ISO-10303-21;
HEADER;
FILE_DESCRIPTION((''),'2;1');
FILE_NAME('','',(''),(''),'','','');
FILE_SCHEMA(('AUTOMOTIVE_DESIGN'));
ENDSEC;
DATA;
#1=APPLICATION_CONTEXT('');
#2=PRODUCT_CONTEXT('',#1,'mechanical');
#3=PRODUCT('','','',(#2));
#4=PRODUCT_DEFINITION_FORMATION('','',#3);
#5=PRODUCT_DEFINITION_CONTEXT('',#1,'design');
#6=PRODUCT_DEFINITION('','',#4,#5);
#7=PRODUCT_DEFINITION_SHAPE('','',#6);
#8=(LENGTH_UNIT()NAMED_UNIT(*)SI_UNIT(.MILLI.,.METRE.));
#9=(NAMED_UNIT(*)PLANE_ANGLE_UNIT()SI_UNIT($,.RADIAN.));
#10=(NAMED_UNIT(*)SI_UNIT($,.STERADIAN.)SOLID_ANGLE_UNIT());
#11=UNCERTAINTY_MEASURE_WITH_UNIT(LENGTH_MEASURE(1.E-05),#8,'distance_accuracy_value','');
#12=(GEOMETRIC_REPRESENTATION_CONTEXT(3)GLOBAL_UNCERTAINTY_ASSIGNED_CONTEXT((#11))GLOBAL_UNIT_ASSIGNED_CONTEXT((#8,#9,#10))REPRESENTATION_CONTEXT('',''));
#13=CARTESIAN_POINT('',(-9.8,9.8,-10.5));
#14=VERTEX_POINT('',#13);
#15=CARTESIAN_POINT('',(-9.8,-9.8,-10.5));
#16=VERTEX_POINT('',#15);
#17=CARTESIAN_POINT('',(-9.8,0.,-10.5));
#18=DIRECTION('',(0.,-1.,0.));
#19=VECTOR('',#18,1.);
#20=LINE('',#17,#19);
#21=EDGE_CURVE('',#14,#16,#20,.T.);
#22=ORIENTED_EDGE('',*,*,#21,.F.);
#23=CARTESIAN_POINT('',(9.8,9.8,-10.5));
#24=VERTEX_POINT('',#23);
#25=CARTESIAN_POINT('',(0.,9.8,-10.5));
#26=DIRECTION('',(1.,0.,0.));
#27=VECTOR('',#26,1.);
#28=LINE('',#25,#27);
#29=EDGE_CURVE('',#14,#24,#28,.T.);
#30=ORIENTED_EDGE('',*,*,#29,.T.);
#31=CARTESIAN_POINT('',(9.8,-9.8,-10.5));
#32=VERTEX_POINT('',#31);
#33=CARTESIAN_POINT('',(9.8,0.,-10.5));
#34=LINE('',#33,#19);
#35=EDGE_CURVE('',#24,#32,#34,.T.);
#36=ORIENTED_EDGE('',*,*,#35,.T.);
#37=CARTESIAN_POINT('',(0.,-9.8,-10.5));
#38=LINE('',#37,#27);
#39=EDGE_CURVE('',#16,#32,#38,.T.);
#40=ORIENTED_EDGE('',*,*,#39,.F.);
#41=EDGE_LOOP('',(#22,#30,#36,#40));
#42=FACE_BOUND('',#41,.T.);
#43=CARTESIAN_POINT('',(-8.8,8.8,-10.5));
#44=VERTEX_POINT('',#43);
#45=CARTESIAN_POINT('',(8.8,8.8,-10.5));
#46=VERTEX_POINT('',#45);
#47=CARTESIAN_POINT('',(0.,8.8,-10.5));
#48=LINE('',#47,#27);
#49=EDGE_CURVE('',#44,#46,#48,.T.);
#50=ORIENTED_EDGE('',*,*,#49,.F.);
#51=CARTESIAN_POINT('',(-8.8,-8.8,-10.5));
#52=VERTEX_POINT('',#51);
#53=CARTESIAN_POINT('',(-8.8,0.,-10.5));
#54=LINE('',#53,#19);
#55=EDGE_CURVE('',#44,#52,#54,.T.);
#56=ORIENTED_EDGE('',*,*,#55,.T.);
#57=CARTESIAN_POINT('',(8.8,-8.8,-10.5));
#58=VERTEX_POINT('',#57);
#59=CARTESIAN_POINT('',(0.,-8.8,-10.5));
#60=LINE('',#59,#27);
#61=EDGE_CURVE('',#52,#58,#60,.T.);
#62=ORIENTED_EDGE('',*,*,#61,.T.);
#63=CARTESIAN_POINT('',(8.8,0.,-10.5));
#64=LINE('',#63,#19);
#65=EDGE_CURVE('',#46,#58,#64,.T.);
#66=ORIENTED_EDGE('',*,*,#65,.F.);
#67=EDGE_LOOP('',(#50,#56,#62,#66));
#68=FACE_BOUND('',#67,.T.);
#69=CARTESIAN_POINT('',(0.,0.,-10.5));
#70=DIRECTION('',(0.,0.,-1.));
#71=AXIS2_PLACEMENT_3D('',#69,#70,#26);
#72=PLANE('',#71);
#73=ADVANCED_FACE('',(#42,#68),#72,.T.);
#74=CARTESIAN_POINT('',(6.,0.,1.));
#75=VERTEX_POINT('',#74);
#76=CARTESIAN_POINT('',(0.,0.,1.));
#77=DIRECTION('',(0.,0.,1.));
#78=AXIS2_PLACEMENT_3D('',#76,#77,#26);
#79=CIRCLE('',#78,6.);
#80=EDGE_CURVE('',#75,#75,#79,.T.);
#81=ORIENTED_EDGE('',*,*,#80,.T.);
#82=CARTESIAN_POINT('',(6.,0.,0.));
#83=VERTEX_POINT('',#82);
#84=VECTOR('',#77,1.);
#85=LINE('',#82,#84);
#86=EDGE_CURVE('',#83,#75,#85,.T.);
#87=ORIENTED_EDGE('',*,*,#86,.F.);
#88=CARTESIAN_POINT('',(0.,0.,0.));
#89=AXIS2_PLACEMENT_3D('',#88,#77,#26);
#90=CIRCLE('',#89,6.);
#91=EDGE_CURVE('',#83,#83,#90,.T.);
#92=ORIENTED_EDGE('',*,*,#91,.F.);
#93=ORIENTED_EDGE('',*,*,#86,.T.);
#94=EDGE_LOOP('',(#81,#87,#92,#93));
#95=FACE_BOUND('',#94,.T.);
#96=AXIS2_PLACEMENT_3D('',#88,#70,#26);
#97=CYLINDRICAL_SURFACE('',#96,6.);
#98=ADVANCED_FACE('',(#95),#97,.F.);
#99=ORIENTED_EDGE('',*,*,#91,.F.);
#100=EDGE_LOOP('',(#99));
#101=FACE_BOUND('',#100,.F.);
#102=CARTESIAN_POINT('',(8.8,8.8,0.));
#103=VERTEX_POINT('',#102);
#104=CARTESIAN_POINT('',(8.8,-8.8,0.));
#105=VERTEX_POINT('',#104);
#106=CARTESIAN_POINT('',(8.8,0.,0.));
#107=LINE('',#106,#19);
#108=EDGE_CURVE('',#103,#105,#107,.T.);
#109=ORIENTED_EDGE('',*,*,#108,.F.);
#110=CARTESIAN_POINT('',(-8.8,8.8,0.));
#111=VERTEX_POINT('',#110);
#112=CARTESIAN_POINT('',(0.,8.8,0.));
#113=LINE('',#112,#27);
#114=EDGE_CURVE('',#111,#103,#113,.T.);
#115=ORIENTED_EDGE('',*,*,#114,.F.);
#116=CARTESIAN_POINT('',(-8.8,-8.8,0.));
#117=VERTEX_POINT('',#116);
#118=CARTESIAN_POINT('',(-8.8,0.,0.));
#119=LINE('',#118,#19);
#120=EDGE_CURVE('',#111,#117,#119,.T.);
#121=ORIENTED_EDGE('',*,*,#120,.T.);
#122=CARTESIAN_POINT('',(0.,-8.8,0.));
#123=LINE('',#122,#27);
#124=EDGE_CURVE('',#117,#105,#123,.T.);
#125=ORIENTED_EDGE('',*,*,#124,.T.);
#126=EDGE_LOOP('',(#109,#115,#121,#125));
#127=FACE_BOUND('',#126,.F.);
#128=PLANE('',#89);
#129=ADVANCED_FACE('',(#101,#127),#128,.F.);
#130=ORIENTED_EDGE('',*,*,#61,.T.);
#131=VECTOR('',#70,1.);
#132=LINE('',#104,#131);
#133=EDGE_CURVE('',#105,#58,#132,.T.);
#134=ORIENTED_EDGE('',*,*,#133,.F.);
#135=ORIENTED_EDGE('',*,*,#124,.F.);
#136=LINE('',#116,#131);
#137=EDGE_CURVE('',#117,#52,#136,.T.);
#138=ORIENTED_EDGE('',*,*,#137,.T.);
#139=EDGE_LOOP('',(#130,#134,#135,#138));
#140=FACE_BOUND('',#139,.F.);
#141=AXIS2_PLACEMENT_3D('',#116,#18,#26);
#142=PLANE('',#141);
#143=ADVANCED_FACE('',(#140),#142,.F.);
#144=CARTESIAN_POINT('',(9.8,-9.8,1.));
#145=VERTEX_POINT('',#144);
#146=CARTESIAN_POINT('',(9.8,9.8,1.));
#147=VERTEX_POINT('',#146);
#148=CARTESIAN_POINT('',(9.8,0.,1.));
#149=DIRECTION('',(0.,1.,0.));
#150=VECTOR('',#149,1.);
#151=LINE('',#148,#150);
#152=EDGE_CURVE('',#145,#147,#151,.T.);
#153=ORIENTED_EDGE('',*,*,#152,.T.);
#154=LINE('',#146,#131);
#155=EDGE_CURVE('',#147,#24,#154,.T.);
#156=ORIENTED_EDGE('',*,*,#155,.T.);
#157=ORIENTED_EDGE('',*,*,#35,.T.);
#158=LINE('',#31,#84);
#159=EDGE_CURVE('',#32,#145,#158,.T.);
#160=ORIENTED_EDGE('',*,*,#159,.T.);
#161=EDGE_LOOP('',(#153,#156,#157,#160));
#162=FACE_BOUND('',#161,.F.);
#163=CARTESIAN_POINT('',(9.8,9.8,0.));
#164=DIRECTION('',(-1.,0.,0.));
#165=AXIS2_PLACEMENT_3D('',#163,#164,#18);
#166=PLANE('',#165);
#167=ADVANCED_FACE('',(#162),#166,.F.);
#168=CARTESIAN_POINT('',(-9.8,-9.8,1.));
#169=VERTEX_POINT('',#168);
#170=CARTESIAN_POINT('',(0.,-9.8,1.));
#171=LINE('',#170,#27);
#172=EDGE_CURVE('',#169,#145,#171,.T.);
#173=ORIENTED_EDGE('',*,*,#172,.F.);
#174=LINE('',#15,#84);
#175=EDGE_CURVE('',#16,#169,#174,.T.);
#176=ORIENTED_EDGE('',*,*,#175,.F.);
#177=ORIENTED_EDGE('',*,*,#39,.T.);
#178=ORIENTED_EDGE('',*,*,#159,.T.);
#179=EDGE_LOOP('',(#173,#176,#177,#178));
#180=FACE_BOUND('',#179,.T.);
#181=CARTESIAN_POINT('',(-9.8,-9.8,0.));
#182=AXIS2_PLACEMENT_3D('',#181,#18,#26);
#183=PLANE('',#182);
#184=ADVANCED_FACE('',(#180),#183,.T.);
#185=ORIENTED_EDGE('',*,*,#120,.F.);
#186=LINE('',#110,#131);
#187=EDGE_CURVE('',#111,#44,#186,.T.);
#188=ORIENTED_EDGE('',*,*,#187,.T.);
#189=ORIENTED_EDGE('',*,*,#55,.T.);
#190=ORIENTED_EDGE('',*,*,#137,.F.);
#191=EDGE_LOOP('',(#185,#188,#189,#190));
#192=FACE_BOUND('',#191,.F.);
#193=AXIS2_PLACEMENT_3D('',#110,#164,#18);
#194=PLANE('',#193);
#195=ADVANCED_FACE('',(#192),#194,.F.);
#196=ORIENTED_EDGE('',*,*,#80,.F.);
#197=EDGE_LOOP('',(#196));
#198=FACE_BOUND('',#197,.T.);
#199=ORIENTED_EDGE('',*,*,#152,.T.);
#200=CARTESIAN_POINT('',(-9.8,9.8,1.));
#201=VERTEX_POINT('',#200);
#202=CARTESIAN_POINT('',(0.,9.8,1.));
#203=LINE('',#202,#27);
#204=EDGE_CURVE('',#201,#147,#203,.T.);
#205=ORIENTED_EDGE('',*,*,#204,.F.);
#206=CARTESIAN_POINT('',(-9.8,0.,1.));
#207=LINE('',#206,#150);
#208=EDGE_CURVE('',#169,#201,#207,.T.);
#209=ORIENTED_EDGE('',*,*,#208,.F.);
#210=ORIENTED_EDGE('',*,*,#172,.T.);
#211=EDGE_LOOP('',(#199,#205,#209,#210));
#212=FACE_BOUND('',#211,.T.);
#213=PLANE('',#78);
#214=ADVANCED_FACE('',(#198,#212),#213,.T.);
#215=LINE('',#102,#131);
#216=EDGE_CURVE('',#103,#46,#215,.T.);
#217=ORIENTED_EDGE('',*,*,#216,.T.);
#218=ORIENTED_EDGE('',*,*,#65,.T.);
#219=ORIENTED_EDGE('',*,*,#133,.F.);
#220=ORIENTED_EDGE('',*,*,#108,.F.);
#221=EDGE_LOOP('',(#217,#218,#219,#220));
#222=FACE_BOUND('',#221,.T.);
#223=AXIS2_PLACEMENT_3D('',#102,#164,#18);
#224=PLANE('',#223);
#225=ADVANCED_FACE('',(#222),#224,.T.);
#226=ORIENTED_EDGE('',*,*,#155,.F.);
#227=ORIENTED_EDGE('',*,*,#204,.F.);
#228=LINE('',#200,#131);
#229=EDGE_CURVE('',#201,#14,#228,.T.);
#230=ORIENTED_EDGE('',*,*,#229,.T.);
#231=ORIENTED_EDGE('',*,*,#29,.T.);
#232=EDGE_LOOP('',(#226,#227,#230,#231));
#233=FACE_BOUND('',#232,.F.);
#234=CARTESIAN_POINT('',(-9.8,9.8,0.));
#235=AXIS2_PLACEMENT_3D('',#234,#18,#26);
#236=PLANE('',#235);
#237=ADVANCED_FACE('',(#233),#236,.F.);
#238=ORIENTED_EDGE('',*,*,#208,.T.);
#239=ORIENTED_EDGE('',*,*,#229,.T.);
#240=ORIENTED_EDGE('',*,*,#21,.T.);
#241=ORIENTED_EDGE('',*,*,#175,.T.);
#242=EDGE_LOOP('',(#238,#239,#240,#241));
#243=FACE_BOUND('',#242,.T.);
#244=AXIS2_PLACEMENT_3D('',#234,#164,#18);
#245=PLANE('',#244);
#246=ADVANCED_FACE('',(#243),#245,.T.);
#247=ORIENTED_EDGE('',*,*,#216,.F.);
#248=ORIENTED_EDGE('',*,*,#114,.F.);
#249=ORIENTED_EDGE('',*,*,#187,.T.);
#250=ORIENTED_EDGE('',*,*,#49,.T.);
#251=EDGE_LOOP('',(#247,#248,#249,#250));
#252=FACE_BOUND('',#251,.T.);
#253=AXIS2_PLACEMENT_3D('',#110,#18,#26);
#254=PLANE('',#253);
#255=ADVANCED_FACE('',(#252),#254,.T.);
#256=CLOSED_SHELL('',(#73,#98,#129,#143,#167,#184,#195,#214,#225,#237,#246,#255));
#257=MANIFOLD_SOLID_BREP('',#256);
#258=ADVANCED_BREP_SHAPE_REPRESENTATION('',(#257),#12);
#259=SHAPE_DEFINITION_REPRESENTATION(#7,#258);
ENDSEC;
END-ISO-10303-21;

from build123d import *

# Parameters (mm, degrees)
F0_W     = 19.6
F0_H     = 19.6
F0_R     = 6
F1_DEPTH = 1
F2_W     = 19.6
F2_H     = 19.6
F2_W_2   = 17.6
F2_H_2   = 17.6
F3_DEPTH = 10.5


with BuildPart() as f1:
    # F0 (on Top) → F1 (new body)
    with BuildSketch(Plane.XY):
        Rectangle(F0_W, F0_H)
        Circle(F0_R, mode=Mode.SUBTRACT)
    extrude(amount=F1_DEPTH)

    # F2 (on face) → F3 (join)
    with BuildSketch(Plane(origin=(0, 0, 0), x_dir=(1, 0, 0), z_dir=(0, 0, -1))):
        Rectangle(F2_W, F2_H)
        Rectangle(F2_W_2, F2_H_2, mode=Mode.SUBTRACT)
    extrude(amount=F3_DEPTH)


solid = f1.part
